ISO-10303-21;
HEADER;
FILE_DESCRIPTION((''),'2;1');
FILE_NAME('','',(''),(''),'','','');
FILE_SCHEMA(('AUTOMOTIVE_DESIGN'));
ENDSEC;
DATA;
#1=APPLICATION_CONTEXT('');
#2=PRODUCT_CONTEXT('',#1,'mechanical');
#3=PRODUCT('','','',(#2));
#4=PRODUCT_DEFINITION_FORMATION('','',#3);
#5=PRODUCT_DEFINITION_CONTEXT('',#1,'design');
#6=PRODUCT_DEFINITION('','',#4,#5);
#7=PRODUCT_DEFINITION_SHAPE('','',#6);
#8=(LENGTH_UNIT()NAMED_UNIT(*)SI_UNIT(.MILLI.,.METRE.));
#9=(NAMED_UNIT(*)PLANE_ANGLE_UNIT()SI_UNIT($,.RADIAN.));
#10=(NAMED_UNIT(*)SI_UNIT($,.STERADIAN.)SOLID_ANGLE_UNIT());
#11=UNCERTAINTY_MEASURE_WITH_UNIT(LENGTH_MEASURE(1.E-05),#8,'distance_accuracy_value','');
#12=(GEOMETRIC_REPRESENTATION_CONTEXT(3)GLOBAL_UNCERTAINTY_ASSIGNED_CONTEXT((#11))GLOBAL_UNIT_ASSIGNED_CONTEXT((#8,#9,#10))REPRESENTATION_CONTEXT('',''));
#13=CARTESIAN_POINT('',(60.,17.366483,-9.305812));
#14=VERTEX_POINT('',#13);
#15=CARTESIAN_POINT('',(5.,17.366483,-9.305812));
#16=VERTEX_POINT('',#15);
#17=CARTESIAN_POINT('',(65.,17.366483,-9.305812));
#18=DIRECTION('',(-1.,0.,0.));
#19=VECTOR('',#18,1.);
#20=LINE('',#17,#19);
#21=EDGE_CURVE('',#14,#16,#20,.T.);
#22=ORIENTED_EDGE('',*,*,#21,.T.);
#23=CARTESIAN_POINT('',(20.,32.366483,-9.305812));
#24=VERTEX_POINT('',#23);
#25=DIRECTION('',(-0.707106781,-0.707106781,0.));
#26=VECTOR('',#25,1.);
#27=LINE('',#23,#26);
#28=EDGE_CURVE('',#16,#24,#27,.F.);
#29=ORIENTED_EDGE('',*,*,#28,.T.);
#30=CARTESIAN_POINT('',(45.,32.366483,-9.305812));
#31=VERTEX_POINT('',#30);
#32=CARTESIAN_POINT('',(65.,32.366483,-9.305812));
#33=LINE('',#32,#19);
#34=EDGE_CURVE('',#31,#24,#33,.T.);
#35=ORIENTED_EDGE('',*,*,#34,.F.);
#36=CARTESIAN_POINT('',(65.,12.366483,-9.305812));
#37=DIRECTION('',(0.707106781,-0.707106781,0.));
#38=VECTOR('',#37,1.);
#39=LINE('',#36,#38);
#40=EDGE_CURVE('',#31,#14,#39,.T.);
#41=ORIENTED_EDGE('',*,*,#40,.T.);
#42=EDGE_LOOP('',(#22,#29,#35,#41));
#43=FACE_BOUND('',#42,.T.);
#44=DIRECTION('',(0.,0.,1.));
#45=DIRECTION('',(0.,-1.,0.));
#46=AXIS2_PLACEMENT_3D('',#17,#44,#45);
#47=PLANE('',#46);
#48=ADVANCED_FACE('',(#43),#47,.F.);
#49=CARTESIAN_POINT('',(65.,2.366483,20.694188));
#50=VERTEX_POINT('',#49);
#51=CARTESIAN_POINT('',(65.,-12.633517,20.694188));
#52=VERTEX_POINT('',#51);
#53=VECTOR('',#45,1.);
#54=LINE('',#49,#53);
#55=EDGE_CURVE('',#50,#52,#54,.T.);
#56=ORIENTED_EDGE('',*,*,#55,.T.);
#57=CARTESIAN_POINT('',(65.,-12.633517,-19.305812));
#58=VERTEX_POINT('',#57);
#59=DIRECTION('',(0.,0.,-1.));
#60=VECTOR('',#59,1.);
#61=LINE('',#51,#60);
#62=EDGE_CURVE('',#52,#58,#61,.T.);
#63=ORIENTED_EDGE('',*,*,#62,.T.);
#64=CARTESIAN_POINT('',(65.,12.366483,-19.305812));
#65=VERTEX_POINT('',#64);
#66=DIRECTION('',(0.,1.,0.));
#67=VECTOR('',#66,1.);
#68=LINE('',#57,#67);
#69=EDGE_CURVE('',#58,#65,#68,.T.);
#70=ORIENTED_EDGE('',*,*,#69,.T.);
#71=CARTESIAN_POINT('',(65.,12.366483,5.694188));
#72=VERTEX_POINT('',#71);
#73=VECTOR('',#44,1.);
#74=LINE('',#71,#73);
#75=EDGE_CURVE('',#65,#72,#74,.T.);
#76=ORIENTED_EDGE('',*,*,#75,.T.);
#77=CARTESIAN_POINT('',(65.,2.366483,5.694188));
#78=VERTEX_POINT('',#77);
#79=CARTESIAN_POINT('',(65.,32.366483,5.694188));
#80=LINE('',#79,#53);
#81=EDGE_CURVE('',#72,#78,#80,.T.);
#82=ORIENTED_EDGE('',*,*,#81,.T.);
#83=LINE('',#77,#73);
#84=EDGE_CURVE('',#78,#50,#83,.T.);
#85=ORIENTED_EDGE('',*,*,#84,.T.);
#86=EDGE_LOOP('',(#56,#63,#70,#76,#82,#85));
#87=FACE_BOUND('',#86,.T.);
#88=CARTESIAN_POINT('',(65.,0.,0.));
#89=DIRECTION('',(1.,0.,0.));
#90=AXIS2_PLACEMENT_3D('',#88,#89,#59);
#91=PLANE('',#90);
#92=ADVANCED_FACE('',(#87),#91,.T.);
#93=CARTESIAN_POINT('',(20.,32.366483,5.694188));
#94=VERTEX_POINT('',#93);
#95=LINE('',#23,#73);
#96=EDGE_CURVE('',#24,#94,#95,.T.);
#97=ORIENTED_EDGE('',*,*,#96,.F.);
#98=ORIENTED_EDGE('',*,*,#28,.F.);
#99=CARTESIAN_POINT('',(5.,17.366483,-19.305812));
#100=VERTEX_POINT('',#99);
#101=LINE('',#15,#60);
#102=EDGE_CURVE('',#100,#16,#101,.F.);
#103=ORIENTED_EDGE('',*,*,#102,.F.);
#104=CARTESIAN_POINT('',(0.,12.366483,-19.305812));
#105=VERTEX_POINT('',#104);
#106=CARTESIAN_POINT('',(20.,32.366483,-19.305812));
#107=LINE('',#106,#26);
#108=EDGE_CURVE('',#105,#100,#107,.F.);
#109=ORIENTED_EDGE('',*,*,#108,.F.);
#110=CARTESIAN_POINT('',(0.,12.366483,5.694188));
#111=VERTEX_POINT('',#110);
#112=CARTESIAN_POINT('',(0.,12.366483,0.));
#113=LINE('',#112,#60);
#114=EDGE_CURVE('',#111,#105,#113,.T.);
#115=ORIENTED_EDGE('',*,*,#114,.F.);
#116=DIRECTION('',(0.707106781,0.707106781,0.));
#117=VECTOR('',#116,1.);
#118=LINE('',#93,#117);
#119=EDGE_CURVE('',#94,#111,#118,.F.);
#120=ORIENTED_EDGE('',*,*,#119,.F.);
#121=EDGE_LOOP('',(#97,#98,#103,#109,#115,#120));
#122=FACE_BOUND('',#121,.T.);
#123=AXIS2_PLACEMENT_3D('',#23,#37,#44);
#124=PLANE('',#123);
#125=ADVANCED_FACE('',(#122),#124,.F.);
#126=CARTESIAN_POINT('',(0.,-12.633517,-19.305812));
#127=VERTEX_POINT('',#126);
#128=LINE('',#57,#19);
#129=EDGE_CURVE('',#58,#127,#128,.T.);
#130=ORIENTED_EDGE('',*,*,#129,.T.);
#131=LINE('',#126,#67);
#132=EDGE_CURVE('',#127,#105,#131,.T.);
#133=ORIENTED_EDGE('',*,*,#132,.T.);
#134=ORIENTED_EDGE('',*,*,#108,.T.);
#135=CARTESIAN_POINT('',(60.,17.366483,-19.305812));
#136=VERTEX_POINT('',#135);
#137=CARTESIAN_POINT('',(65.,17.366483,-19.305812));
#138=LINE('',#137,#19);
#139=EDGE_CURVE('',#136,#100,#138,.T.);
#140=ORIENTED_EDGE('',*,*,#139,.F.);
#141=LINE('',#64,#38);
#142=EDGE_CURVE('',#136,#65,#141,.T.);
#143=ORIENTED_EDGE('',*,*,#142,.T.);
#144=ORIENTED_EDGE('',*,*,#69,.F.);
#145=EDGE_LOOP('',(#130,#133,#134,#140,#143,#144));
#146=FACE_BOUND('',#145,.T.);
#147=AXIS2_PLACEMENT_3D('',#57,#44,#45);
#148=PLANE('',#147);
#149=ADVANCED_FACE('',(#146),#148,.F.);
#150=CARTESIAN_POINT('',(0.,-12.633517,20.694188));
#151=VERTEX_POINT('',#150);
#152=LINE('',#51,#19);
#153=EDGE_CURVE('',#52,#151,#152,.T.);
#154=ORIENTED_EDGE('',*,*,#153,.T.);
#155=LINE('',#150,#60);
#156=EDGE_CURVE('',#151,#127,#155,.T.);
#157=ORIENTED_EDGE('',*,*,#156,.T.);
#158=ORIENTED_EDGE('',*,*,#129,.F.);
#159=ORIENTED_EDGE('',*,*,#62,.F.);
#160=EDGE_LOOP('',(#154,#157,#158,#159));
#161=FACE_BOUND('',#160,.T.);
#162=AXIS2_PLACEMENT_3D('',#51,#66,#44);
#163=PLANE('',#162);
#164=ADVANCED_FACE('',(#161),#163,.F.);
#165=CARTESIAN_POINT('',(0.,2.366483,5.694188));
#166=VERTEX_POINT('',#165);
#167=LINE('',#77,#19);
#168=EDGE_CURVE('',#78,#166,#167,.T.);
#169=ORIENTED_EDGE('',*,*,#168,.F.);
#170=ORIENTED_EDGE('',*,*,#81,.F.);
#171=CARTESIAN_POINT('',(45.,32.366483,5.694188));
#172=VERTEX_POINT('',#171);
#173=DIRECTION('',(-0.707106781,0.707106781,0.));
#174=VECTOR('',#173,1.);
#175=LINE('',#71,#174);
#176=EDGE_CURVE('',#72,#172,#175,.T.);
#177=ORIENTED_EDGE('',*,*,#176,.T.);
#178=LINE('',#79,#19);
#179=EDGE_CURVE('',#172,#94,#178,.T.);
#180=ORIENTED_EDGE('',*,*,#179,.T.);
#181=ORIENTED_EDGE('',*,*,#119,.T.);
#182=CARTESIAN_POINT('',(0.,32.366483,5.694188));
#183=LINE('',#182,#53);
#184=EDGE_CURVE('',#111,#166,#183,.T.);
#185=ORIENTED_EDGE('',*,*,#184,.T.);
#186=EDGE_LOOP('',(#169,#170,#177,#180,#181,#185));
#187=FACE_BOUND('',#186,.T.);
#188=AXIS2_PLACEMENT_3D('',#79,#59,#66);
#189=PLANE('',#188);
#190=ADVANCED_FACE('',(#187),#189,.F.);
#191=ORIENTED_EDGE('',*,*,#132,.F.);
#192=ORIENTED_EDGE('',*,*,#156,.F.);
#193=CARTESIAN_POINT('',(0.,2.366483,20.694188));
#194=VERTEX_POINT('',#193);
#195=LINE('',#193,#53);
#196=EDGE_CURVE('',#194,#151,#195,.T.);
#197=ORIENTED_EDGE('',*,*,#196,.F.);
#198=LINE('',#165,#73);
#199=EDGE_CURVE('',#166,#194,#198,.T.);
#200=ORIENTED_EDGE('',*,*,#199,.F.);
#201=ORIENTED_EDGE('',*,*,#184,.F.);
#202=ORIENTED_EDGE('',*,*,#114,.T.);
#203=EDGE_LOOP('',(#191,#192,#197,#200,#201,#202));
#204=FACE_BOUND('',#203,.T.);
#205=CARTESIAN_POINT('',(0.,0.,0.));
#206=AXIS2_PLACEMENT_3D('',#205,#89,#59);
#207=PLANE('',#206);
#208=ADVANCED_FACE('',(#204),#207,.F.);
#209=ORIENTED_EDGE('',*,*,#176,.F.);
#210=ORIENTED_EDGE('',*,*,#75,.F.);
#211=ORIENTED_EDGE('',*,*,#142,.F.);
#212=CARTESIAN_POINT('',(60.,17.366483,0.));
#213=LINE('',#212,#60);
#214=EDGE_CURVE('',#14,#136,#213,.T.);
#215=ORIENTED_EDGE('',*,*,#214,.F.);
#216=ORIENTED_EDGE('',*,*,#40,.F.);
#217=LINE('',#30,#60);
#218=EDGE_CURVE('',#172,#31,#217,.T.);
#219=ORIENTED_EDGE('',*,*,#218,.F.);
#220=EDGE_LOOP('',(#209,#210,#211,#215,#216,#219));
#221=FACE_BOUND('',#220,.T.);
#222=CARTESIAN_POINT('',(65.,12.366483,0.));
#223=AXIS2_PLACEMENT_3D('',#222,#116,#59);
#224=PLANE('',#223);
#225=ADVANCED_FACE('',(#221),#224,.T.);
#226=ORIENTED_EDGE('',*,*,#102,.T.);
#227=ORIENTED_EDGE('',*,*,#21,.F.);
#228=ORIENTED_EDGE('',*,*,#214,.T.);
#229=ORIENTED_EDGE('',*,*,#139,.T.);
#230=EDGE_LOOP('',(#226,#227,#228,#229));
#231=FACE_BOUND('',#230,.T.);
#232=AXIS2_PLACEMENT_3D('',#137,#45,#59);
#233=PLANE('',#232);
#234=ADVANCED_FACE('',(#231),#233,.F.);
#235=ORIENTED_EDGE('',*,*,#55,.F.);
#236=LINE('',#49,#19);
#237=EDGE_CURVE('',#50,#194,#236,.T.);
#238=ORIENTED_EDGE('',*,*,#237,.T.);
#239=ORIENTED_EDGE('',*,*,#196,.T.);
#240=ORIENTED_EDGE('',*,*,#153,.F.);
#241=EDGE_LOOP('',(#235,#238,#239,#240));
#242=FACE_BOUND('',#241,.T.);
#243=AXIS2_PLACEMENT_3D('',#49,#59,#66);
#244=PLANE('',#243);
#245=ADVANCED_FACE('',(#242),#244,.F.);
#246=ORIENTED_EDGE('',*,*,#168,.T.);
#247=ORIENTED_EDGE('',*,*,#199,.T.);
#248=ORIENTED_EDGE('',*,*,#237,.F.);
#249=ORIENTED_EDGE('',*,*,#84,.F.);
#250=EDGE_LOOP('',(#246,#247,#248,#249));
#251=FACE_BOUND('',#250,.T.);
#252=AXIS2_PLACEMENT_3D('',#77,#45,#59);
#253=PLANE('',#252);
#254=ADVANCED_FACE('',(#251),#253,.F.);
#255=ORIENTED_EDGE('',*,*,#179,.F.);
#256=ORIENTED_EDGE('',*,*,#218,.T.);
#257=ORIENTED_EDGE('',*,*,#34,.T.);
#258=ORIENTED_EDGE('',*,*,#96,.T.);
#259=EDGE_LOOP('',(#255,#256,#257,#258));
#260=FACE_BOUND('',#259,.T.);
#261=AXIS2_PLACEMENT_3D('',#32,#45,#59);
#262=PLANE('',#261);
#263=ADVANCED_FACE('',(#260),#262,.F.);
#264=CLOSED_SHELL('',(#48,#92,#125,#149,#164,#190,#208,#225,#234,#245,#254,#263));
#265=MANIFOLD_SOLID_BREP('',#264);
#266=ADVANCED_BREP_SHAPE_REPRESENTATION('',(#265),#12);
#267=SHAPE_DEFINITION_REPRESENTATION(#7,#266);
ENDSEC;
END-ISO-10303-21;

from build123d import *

# Parameters (mm, degrees)
BOSS_EXTRU_1_DEPTH = 65
CHANFREIN4_SIZE    = 20
CHANFREIN5_SIZE    = 20


with BuildPart() as part:
    # Esquisse1 → Boss.-Extru.1 (new body)
    with BuildSketch(Plane(origin=(0, 0, 0), x_dir=(0, 0, -1), z_dir=(1, 0, 0))):
        Polygon((-20.69418762, -12.633516796), (19.30581238, -12.633516796), (19.30581238, 17.366483204), (9.30581238, 17.366483204), (9.30581238, 32.366483204), (-5.69418762, 32.366483204), (-5.69418762, 2.366483204), (-20.69418762, 2.366483204), align=None)
    extrude(amount=BOSS_EXTRU_1_DEPTH)

    # Chanfrein4
    chanfrein4_edges = [part.edges().sort_by_distance(p)[0] for p in [
        (65, 32.366483204, -1.80581238),
    ]]
    chamfer(chanfrein4_edges, length=CHANFREIN4_SIZE)

    # Chanfrein5
    chanfrein5_edges = [part.edges().sort_by_distance(p)[0] for p in [
        (0, 32.366483204, -1.80581238),
    ]]
    chamfer(chanfrein5_edges, length=CHANFREIN5_SIZE)


solid = part.part
